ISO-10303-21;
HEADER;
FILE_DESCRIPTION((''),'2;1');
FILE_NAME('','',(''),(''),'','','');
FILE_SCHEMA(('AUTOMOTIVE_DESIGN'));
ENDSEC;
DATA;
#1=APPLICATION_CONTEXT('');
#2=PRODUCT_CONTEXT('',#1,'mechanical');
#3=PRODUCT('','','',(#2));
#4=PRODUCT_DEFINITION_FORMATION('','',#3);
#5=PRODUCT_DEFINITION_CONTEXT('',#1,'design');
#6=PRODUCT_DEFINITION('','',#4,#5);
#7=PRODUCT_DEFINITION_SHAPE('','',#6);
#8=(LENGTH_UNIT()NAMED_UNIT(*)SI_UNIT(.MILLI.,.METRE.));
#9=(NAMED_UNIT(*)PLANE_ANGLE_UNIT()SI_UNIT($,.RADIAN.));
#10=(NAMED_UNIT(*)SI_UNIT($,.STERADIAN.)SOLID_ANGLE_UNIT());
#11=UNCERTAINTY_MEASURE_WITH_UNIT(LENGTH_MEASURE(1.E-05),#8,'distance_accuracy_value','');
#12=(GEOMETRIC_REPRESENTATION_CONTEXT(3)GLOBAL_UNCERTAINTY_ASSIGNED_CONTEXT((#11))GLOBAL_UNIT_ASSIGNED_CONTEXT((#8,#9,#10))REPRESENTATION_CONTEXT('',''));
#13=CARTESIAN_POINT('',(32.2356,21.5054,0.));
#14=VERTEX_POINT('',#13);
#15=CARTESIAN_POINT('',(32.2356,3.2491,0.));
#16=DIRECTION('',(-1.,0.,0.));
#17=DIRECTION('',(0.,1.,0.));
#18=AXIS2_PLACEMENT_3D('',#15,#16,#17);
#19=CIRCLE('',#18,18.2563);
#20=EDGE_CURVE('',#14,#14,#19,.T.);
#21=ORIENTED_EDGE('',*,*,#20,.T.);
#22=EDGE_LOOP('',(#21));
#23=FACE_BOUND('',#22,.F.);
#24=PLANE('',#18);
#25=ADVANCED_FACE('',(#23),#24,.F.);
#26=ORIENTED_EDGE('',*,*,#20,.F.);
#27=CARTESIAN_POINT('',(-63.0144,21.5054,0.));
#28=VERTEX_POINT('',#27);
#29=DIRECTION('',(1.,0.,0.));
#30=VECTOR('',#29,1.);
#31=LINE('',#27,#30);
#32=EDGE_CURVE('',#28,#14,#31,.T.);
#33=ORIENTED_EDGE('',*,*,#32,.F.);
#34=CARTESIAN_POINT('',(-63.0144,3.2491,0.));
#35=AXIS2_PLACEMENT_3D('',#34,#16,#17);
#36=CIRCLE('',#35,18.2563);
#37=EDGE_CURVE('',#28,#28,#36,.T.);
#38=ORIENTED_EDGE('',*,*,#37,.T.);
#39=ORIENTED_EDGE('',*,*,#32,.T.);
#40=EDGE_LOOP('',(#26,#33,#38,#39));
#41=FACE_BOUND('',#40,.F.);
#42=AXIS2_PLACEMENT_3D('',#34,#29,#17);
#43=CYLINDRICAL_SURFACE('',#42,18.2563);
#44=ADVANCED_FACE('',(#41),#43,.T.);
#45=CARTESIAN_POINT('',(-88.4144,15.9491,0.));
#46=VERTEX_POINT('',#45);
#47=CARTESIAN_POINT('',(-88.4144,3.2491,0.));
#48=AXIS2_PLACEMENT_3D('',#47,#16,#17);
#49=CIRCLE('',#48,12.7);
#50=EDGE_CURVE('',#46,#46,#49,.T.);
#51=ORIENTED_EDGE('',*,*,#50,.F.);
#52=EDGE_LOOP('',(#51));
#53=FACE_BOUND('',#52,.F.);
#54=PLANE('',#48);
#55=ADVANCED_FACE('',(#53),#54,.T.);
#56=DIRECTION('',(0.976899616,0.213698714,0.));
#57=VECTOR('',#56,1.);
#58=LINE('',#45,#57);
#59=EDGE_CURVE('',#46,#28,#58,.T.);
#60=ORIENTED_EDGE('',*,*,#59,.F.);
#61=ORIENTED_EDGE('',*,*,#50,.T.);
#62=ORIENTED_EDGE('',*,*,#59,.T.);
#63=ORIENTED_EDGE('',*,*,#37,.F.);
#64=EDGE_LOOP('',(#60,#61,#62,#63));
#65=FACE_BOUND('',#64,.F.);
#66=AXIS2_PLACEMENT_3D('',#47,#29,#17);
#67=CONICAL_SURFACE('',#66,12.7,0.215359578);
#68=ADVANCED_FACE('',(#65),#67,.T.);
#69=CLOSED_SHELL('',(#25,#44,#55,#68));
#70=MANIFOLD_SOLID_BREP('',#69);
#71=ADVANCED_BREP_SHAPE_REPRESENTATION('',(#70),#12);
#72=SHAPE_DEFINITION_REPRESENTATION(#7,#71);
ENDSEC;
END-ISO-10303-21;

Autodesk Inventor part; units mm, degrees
ref_plane "YZ Plane" through (0, 0, 0) normal (1, 0, 0) x (0, 1, 0)
ref_plane "XZ Plane" through (0, 0, 0) normal (0, 1, 0) x (-1, 0, 0)
ref_plane "XY Plane" through (0, 0, 0) normal (0, 0, 1) x (1, 0, 0)
sketch "Sketch1" plane through (0, 0, 0) normal (0, 0, 1) x (1, 0, 0)
  line L0 (-63.0144, 21.5054) -> (32.2356, 21.5054)
  line L1 (32.2356, 21.5054) -> (32.2356, 3.2491)
  line L2 (32.2356, 3.2491) -> (-88.4144, 3.2491)
  line L3 (-88.4144, 3.2491) -> (-88.4144, 15.9491)
  line L4 (-88.4144, 15.9491) -> (-63.0144, 21.5054)
  dimension "d0" = 18.2563
  dimension "d1" = 25.4
  dimension "d2" = 12.7
  dimension "d3" = 120.65
revolve "Revolution1" add sketch "Sketch1" angle 360 about axis through (32.2356, 3.2491, 0) along (-1, 0, 0)
properties part number "FE-00004-03"
